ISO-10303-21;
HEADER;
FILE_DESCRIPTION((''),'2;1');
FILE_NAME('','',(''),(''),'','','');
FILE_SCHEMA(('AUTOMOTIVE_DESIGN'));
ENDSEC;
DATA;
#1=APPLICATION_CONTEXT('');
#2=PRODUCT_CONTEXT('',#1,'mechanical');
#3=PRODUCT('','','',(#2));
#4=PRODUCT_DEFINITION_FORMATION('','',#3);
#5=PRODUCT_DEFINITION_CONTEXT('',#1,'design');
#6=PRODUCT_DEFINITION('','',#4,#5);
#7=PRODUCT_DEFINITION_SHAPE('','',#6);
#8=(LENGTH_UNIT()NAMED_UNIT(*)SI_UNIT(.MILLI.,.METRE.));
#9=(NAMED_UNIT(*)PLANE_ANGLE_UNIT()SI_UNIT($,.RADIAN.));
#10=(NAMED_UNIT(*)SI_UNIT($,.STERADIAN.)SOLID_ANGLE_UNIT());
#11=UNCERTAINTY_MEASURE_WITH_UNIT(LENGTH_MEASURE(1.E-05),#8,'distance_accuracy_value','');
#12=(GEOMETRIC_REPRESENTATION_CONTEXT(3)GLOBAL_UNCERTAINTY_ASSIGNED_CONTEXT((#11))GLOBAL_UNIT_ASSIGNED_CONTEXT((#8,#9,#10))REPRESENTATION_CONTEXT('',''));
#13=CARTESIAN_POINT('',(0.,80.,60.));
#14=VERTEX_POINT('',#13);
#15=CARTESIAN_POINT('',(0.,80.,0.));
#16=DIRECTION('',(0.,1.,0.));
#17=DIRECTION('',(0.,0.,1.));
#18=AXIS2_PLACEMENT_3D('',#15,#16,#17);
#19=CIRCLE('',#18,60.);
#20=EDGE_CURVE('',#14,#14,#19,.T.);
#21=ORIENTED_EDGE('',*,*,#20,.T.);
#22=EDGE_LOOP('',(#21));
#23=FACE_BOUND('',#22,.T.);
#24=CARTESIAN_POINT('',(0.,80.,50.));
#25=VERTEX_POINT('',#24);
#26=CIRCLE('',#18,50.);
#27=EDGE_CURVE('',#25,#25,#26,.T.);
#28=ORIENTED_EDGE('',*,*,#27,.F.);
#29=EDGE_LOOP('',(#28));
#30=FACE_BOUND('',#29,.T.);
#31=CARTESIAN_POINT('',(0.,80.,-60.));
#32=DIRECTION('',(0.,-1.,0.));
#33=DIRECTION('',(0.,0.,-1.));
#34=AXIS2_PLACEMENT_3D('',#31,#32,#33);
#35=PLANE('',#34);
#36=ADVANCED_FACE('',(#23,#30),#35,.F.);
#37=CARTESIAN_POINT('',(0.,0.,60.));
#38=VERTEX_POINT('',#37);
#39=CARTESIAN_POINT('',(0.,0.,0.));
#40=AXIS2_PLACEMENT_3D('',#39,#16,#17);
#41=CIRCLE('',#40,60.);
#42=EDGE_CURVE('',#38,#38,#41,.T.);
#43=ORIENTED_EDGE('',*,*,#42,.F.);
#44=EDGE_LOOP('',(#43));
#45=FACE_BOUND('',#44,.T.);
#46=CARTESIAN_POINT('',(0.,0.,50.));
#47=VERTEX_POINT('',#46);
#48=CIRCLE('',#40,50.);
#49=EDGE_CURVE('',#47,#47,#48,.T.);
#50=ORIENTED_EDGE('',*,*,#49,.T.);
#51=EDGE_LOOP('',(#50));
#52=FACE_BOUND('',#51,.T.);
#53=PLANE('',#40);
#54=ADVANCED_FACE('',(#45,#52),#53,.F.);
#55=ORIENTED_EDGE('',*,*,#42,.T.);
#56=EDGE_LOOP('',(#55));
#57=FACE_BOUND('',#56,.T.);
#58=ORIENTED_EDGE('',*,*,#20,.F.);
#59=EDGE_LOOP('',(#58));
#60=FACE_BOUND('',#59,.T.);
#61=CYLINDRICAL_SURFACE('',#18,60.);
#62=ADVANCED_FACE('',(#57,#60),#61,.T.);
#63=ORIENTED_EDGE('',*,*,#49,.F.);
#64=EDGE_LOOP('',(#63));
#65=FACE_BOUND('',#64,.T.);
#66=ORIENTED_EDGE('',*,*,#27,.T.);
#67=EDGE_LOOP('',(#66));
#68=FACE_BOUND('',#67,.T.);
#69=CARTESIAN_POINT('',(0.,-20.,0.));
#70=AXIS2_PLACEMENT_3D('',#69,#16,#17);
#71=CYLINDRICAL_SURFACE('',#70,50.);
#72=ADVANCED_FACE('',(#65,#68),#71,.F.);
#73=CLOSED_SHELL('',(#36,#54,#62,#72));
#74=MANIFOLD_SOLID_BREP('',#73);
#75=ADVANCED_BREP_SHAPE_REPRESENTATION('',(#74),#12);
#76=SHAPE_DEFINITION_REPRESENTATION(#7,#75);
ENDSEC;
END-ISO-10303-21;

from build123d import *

# Parameters (mm, degrees)
SKETCH16_W         = 60
SKETCH16_H         = 80
SKETCH17_R         = 50
CUT_EXTRUDE3_DEPTH = 100


with BuildPart() as part:
    # Sketch16 → Revolve4 (revolve)
    with BuildSketch(Plane(origin=(0, 0, 0), x_dir=(0, 0, -1), z_dir=(1, 0, 0))):
        with Locations((30, 40)):
            Rectangle(SKETCH16_W, SKETCH16_H)
    revolve(axis=Axis((0, 80, 0), (0, -1, 0)))

    # Sketch17 → Cut-Extrude3 (cut)
    with BuildSketch(Plane(origin=(0, 80, 0), x_dir=(1, 0, 0), z_dir=(0, 1, 0))):
        Circle(SKETCH17_R)
    extrude(amount=-CUT_EXTRUDE3_DEPTH, mode=Mode.SUBTRACT)


solid = part.part
